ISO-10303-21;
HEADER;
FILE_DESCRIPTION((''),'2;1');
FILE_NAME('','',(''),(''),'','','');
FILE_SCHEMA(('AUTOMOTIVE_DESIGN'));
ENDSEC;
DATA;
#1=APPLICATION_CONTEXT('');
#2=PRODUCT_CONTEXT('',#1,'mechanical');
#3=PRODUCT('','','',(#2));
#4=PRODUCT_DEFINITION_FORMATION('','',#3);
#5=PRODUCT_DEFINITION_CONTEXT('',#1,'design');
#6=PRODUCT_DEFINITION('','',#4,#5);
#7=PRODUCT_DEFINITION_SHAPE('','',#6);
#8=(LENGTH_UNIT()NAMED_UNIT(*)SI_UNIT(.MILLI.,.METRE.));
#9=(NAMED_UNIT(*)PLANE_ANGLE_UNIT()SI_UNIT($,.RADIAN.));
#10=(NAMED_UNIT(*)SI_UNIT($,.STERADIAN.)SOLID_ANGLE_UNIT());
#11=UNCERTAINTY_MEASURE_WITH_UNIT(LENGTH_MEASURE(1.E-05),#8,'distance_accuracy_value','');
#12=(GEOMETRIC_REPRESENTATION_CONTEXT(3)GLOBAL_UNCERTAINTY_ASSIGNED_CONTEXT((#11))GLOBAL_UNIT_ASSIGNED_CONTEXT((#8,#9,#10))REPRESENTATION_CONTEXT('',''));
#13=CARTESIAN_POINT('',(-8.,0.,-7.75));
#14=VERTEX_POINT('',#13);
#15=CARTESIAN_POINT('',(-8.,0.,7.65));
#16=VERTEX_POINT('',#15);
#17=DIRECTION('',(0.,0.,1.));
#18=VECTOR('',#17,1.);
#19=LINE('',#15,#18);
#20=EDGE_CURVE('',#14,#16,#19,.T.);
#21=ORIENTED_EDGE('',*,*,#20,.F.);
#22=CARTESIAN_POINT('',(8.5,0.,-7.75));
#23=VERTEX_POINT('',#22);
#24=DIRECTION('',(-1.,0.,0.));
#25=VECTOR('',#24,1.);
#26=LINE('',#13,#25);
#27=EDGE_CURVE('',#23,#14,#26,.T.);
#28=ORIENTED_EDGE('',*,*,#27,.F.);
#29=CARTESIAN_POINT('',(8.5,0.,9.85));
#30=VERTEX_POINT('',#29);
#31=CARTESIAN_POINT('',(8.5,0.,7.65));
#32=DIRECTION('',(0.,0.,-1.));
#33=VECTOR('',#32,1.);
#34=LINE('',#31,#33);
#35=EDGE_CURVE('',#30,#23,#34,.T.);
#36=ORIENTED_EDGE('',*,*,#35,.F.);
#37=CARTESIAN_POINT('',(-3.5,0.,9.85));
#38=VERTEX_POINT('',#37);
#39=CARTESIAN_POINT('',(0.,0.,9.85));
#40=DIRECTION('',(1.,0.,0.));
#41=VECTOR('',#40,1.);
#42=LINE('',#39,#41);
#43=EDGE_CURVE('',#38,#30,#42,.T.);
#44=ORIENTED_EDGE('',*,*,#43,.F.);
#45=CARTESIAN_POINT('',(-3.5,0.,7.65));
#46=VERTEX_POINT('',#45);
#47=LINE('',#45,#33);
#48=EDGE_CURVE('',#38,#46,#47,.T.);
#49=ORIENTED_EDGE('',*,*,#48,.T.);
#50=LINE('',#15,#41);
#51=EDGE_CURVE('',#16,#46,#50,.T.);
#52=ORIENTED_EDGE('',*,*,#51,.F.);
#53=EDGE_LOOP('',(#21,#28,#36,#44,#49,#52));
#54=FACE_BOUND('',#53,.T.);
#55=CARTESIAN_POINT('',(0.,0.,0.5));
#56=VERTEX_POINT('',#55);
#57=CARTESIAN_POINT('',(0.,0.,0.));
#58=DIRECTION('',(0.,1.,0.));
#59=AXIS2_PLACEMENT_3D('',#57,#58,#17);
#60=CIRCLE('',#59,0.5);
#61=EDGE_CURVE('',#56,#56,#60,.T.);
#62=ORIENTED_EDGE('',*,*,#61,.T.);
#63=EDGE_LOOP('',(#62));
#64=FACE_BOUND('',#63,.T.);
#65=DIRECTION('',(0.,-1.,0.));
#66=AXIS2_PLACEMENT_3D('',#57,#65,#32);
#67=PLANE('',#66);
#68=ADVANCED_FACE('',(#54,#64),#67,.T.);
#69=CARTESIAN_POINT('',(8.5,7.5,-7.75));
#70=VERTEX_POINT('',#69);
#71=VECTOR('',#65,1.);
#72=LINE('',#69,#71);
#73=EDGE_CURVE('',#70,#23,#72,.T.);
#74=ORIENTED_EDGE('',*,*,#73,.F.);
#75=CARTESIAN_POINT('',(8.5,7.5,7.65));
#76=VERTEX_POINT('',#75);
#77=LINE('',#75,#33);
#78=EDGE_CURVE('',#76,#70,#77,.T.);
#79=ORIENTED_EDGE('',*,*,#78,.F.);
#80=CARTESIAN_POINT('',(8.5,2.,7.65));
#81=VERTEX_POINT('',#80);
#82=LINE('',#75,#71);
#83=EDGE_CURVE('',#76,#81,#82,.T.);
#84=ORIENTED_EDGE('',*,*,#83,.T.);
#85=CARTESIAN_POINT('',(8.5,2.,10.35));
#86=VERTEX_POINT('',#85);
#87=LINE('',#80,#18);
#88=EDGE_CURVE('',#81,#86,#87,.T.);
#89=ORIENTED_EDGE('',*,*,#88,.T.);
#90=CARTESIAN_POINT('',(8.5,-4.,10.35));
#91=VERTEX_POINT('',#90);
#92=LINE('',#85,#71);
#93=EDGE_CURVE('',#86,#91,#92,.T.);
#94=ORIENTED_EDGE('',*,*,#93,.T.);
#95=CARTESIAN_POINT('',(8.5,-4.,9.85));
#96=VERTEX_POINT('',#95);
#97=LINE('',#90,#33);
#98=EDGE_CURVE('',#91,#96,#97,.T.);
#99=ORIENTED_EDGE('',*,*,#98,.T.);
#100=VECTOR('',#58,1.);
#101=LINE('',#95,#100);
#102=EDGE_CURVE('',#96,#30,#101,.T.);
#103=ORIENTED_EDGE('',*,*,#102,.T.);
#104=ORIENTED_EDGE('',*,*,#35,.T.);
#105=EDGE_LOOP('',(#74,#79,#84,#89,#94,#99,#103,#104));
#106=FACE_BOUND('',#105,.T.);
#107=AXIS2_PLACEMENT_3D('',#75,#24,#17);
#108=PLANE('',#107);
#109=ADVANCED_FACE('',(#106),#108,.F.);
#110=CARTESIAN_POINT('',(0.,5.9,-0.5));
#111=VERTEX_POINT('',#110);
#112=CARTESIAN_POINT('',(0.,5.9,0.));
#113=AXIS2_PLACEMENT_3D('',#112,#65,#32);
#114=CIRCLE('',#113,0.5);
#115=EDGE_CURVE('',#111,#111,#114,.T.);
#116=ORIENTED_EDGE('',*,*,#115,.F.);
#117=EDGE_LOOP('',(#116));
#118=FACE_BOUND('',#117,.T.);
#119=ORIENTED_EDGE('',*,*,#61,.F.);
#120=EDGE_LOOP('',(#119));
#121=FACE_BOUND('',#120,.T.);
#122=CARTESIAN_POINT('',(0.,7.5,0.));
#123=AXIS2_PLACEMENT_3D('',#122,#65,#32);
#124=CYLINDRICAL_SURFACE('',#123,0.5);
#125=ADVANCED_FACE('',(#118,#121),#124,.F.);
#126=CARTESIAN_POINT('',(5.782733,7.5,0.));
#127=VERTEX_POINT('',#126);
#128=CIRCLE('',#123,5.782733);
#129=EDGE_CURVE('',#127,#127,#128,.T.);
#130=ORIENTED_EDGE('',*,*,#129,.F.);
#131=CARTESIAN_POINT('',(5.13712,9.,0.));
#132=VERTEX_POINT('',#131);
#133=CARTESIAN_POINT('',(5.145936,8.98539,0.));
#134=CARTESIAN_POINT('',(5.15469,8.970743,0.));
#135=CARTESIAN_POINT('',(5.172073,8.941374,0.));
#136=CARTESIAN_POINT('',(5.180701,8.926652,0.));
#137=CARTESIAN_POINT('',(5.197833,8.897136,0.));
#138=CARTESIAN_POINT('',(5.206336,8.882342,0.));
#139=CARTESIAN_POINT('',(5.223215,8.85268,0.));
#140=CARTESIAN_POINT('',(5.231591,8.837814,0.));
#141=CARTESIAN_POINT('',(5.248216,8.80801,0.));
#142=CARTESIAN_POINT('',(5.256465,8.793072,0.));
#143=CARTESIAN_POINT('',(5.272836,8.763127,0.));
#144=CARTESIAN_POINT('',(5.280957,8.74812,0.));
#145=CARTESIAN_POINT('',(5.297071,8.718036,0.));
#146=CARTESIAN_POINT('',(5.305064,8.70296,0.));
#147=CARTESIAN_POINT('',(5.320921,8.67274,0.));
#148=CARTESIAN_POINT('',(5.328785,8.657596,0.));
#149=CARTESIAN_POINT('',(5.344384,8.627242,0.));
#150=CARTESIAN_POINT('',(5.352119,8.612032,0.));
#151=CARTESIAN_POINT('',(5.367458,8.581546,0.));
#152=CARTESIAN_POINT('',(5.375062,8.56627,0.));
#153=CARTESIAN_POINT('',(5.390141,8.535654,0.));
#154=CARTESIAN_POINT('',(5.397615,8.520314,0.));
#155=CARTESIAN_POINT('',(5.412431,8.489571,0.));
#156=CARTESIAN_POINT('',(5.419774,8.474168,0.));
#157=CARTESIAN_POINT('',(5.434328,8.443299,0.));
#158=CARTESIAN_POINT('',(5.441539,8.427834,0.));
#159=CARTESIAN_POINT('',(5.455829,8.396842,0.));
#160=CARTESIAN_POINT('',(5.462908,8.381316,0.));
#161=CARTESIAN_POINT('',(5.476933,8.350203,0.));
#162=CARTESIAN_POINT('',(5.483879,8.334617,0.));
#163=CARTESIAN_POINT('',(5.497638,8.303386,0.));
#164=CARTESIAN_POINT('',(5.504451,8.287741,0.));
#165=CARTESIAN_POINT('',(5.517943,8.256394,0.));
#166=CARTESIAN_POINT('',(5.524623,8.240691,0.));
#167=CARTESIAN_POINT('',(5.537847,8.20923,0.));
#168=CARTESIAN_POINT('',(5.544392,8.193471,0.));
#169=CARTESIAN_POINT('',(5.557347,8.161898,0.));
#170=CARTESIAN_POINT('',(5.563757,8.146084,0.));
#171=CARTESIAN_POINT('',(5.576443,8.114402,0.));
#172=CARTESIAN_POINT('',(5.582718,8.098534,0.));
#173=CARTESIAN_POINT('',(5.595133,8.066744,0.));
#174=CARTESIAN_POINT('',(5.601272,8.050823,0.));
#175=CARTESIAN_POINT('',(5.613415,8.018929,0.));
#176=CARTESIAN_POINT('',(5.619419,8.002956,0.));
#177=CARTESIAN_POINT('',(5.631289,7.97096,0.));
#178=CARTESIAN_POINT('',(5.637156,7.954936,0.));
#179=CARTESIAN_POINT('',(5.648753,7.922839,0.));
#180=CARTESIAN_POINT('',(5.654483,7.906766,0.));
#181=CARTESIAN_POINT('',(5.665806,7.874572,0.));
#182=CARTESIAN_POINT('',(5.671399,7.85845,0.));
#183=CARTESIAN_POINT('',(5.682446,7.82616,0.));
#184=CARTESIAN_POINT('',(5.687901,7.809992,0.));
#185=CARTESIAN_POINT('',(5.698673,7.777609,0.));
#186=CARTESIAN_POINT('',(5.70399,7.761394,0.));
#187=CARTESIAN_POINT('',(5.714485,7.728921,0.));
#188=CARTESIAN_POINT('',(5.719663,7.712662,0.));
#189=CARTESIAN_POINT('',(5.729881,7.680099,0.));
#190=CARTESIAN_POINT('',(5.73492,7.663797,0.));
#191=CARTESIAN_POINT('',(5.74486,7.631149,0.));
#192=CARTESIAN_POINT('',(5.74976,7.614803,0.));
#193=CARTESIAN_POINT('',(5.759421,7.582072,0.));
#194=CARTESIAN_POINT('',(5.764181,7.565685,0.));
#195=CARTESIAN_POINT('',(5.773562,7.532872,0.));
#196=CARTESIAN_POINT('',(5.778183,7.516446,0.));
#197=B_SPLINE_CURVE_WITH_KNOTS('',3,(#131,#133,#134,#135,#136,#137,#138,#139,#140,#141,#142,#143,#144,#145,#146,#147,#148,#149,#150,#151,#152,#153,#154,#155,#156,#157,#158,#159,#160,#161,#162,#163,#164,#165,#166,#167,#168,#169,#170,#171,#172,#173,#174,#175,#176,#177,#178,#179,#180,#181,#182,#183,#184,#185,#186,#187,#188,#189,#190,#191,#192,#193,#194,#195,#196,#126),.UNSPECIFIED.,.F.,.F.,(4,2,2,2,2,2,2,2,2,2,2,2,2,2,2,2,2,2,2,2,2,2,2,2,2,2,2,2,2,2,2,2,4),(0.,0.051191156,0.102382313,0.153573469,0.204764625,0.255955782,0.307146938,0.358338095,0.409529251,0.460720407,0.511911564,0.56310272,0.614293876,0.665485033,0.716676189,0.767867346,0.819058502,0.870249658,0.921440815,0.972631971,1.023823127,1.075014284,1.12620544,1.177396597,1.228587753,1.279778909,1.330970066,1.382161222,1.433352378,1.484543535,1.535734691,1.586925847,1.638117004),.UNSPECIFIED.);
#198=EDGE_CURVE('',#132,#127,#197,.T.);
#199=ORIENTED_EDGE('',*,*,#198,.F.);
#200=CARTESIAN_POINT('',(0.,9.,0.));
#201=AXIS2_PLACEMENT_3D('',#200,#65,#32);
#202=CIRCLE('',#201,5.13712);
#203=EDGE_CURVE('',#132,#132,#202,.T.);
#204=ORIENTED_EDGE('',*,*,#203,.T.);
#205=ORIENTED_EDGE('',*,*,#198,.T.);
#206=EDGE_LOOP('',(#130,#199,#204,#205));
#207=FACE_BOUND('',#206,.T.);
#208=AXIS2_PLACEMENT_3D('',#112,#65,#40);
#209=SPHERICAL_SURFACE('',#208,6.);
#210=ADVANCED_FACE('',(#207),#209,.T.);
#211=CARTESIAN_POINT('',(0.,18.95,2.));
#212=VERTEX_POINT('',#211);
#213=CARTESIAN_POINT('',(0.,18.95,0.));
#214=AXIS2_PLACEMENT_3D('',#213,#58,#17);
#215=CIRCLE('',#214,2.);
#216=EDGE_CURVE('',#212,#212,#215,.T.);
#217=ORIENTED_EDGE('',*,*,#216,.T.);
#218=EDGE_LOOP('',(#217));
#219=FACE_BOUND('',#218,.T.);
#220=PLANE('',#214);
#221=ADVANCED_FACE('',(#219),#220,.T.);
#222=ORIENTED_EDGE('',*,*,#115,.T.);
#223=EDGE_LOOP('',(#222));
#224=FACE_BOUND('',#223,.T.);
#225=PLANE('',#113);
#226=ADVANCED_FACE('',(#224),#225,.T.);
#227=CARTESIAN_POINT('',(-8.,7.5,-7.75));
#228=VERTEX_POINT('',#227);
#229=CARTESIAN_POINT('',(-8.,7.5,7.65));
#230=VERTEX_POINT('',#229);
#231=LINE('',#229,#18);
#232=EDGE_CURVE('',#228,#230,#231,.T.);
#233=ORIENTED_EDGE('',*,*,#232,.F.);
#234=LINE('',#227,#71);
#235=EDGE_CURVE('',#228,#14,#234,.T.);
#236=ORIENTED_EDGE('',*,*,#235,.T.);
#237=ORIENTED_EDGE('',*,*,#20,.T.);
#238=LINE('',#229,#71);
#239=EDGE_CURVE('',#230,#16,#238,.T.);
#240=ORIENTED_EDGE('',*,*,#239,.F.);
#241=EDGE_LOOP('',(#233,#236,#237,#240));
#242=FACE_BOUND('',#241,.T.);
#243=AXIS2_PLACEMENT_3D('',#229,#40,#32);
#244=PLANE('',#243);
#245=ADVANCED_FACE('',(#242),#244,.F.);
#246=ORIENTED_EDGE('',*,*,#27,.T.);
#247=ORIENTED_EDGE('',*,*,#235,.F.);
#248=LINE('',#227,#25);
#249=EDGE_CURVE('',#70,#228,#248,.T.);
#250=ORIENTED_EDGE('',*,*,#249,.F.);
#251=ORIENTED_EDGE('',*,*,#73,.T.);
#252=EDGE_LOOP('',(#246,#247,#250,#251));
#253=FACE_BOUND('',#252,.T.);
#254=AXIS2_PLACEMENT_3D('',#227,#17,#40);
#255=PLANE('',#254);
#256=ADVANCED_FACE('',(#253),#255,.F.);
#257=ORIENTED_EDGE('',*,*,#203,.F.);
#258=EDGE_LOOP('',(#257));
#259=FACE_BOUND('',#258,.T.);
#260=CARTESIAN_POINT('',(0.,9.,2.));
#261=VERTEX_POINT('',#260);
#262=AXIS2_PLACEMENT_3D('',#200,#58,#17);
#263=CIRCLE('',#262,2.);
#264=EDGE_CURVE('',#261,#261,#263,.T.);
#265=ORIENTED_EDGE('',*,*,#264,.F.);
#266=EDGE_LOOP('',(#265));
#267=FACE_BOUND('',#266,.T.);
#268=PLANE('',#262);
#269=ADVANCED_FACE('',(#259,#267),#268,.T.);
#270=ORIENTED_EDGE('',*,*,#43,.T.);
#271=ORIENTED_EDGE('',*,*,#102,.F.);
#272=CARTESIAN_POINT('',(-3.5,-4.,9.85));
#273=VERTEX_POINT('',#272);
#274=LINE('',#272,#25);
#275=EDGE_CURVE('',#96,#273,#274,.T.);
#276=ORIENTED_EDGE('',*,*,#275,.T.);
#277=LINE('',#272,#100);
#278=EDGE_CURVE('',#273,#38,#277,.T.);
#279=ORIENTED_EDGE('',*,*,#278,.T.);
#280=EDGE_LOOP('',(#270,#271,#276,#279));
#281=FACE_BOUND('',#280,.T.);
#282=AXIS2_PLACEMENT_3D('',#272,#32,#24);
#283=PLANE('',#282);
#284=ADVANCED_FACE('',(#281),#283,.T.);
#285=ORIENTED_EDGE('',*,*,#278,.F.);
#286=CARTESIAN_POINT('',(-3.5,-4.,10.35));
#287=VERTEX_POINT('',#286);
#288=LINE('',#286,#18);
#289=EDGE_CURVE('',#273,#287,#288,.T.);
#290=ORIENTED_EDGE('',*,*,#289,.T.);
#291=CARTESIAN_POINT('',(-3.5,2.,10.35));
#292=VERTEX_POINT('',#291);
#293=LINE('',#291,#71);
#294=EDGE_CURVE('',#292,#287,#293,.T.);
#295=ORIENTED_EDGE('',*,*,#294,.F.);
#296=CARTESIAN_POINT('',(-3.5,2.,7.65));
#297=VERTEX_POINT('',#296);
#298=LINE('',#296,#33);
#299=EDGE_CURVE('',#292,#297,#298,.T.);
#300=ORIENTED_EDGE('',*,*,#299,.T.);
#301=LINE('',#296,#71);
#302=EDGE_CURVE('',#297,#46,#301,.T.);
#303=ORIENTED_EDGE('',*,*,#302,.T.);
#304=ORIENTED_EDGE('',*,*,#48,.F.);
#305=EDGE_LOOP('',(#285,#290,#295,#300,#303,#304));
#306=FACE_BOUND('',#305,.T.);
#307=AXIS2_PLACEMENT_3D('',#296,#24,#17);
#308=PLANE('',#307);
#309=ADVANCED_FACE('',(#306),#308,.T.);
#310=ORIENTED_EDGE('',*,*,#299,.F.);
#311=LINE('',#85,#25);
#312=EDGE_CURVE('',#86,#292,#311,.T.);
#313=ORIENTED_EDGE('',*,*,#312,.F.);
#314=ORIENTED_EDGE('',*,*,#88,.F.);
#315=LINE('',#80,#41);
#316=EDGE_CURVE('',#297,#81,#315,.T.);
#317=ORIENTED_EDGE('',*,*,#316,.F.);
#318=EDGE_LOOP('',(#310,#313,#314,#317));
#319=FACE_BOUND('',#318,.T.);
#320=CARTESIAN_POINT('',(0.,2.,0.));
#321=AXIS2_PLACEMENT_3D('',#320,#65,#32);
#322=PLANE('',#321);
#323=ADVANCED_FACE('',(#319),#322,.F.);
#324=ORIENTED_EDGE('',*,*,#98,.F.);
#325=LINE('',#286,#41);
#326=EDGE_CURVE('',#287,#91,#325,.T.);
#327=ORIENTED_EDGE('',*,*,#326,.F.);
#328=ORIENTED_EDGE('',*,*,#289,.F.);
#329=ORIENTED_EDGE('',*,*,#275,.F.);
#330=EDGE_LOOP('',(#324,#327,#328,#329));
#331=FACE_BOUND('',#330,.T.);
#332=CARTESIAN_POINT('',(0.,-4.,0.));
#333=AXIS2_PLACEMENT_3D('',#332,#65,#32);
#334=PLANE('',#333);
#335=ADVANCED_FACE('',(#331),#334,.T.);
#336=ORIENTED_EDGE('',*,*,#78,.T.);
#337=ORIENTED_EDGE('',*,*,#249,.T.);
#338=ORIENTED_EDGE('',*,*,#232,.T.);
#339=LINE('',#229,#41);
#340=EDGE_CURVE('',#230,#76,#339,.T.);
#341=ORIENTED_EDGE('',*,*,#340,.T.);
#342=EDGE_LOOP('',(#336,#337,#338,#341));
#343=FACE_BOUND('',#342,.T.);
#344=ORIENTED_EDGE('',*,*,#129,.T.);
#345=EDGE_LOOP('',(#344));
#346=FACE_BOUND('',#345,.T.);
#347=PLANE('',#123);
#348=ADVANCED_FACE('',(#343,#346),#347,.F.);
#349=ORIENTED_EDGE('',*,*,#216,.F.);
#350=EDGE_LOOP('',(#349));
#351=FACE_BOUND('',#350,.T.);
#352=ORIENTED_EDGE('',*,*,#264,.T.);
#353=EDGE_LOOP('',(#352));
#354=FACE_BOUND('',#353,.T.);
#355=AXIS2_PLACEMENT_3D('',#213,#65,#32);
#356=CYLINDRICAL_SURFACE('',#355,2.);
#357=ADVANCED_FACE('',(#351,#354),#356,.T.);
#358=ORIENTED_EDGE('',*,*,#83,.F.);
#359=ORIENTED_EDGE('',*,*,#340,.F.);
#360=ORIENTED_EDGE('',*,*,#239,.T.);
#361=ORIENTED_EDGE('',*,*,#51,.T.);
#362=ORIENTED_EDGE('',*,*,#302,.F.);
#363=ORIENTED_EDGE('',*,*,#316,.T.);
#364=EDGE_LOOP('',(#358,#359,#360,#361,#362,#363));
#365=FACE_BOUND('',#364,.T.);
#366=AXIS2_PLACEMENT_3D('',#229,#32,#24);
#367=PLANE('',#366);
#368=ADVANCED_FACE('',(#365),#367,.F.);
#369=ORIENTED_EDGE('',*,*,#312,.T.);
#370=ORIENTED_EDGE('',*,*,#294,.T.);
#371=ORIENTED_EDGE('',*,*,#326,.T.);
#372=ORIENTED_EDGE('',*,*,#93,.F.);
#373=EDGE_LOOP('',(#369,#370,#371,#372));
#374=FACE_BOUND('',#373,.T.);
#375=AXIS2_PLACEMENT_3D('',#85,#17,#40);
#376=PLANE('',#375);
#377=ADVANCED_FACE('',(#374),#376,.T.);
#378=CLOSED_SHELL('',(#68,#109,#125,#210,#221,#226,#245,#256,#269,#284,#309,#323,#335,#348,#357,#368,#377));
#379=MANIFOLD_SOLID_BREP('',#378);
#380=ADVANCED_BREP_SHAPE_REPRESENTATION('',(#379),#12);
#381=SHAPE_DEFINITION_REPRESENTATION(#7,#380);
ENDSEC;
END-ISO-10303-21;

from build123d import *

# Parameters (mm, degrees)
SKETCH_1_W      = 16.5
SKETCH_1_H      = 15.4
SKETCH_1_R      = 0.5
EXTRUDE_1_DEPTH = 7.5
SKETCH_2_W      = 12
SKETCH_2_H      = 2.7
EXTRUDE_2_DEPTH = 2
SKETCH_3_W      = 12
SKETCH_3_H      = 0.5
EXTRUDE_3_DEPTH = 6
SKETCH_4_R      = 2
EXTRUDE_4_DEPTH = 11.45


with BuildPart() as part:
    # 草图1 → 凸台-拉伸1 (new body)
    with BuildSketch(Plane(origin=(0, 0, 0), x_dir=(1, 0, 0), z_dir=(0, 1, 0))):
        with Locations((0.25, 0.05)):
            Rectangle(SKETCH_1_W, SKETCH_1_H)
        with Locations(Location((0, 0, 0), (0, 0, 270))):
            Circle(SKETCH_1_R, mode=Mode.SUBTRACT)
    extrude(amount=EXTRUDE_1_DEPTH)

    # 草图2 → 凸台-拉伸2 (add)
    with BuildSketch(Plane.XZ):
        with Locations((2.5, 9)):
            Rectangle(SKETCH_2_W, SKETCH_2_H)
    extrude(amount=-EXTRUDE_2_DEPTH)

    # 草图3 → 凸台-拉伸3 (add)
    with BuildSketch(Plane(origin=(0, 2, 0), x_dir=(1, 0, 0), z_dir=(0, 1, 0))):
        with Locations((2.5, -10.1)):
            Rectangle(SKETCH_3_W, SKETCH_3_H)
    extrude(amount=-EXTRUDE_3_DEPTH)

    # 草图4 → 凸台-拉伸4 (add)
    with BuildSketch(Plane(origin=(0, 7.5, 0), x_dir=(1, 0, 0), z_dir=(0, 1, 0))):
        with Locations(Location((0, 0, 0), (0, 0, 270))):
            Circle(SKETCH_4_R)
    extrude(amount=EXTRUDE_4_DEPTH)

    # 草图5 → 旋转1 (revolve)
    with BuildSketch(Plane.XY):
        with BuildLine():
            Line((0, 9), (5.137119816, 9))
            ThreePointArc((5.137119816, 9), (5.780256002, 7.508925279), (6, 5.9))
            Line((6, 5.9), (0, 5.9))
            Line((0, 5.9), (0, 9))
        make_face()
    revolve(axis=Axis((0, 0, 0), (0, 1, 0)))


solid = part.part
